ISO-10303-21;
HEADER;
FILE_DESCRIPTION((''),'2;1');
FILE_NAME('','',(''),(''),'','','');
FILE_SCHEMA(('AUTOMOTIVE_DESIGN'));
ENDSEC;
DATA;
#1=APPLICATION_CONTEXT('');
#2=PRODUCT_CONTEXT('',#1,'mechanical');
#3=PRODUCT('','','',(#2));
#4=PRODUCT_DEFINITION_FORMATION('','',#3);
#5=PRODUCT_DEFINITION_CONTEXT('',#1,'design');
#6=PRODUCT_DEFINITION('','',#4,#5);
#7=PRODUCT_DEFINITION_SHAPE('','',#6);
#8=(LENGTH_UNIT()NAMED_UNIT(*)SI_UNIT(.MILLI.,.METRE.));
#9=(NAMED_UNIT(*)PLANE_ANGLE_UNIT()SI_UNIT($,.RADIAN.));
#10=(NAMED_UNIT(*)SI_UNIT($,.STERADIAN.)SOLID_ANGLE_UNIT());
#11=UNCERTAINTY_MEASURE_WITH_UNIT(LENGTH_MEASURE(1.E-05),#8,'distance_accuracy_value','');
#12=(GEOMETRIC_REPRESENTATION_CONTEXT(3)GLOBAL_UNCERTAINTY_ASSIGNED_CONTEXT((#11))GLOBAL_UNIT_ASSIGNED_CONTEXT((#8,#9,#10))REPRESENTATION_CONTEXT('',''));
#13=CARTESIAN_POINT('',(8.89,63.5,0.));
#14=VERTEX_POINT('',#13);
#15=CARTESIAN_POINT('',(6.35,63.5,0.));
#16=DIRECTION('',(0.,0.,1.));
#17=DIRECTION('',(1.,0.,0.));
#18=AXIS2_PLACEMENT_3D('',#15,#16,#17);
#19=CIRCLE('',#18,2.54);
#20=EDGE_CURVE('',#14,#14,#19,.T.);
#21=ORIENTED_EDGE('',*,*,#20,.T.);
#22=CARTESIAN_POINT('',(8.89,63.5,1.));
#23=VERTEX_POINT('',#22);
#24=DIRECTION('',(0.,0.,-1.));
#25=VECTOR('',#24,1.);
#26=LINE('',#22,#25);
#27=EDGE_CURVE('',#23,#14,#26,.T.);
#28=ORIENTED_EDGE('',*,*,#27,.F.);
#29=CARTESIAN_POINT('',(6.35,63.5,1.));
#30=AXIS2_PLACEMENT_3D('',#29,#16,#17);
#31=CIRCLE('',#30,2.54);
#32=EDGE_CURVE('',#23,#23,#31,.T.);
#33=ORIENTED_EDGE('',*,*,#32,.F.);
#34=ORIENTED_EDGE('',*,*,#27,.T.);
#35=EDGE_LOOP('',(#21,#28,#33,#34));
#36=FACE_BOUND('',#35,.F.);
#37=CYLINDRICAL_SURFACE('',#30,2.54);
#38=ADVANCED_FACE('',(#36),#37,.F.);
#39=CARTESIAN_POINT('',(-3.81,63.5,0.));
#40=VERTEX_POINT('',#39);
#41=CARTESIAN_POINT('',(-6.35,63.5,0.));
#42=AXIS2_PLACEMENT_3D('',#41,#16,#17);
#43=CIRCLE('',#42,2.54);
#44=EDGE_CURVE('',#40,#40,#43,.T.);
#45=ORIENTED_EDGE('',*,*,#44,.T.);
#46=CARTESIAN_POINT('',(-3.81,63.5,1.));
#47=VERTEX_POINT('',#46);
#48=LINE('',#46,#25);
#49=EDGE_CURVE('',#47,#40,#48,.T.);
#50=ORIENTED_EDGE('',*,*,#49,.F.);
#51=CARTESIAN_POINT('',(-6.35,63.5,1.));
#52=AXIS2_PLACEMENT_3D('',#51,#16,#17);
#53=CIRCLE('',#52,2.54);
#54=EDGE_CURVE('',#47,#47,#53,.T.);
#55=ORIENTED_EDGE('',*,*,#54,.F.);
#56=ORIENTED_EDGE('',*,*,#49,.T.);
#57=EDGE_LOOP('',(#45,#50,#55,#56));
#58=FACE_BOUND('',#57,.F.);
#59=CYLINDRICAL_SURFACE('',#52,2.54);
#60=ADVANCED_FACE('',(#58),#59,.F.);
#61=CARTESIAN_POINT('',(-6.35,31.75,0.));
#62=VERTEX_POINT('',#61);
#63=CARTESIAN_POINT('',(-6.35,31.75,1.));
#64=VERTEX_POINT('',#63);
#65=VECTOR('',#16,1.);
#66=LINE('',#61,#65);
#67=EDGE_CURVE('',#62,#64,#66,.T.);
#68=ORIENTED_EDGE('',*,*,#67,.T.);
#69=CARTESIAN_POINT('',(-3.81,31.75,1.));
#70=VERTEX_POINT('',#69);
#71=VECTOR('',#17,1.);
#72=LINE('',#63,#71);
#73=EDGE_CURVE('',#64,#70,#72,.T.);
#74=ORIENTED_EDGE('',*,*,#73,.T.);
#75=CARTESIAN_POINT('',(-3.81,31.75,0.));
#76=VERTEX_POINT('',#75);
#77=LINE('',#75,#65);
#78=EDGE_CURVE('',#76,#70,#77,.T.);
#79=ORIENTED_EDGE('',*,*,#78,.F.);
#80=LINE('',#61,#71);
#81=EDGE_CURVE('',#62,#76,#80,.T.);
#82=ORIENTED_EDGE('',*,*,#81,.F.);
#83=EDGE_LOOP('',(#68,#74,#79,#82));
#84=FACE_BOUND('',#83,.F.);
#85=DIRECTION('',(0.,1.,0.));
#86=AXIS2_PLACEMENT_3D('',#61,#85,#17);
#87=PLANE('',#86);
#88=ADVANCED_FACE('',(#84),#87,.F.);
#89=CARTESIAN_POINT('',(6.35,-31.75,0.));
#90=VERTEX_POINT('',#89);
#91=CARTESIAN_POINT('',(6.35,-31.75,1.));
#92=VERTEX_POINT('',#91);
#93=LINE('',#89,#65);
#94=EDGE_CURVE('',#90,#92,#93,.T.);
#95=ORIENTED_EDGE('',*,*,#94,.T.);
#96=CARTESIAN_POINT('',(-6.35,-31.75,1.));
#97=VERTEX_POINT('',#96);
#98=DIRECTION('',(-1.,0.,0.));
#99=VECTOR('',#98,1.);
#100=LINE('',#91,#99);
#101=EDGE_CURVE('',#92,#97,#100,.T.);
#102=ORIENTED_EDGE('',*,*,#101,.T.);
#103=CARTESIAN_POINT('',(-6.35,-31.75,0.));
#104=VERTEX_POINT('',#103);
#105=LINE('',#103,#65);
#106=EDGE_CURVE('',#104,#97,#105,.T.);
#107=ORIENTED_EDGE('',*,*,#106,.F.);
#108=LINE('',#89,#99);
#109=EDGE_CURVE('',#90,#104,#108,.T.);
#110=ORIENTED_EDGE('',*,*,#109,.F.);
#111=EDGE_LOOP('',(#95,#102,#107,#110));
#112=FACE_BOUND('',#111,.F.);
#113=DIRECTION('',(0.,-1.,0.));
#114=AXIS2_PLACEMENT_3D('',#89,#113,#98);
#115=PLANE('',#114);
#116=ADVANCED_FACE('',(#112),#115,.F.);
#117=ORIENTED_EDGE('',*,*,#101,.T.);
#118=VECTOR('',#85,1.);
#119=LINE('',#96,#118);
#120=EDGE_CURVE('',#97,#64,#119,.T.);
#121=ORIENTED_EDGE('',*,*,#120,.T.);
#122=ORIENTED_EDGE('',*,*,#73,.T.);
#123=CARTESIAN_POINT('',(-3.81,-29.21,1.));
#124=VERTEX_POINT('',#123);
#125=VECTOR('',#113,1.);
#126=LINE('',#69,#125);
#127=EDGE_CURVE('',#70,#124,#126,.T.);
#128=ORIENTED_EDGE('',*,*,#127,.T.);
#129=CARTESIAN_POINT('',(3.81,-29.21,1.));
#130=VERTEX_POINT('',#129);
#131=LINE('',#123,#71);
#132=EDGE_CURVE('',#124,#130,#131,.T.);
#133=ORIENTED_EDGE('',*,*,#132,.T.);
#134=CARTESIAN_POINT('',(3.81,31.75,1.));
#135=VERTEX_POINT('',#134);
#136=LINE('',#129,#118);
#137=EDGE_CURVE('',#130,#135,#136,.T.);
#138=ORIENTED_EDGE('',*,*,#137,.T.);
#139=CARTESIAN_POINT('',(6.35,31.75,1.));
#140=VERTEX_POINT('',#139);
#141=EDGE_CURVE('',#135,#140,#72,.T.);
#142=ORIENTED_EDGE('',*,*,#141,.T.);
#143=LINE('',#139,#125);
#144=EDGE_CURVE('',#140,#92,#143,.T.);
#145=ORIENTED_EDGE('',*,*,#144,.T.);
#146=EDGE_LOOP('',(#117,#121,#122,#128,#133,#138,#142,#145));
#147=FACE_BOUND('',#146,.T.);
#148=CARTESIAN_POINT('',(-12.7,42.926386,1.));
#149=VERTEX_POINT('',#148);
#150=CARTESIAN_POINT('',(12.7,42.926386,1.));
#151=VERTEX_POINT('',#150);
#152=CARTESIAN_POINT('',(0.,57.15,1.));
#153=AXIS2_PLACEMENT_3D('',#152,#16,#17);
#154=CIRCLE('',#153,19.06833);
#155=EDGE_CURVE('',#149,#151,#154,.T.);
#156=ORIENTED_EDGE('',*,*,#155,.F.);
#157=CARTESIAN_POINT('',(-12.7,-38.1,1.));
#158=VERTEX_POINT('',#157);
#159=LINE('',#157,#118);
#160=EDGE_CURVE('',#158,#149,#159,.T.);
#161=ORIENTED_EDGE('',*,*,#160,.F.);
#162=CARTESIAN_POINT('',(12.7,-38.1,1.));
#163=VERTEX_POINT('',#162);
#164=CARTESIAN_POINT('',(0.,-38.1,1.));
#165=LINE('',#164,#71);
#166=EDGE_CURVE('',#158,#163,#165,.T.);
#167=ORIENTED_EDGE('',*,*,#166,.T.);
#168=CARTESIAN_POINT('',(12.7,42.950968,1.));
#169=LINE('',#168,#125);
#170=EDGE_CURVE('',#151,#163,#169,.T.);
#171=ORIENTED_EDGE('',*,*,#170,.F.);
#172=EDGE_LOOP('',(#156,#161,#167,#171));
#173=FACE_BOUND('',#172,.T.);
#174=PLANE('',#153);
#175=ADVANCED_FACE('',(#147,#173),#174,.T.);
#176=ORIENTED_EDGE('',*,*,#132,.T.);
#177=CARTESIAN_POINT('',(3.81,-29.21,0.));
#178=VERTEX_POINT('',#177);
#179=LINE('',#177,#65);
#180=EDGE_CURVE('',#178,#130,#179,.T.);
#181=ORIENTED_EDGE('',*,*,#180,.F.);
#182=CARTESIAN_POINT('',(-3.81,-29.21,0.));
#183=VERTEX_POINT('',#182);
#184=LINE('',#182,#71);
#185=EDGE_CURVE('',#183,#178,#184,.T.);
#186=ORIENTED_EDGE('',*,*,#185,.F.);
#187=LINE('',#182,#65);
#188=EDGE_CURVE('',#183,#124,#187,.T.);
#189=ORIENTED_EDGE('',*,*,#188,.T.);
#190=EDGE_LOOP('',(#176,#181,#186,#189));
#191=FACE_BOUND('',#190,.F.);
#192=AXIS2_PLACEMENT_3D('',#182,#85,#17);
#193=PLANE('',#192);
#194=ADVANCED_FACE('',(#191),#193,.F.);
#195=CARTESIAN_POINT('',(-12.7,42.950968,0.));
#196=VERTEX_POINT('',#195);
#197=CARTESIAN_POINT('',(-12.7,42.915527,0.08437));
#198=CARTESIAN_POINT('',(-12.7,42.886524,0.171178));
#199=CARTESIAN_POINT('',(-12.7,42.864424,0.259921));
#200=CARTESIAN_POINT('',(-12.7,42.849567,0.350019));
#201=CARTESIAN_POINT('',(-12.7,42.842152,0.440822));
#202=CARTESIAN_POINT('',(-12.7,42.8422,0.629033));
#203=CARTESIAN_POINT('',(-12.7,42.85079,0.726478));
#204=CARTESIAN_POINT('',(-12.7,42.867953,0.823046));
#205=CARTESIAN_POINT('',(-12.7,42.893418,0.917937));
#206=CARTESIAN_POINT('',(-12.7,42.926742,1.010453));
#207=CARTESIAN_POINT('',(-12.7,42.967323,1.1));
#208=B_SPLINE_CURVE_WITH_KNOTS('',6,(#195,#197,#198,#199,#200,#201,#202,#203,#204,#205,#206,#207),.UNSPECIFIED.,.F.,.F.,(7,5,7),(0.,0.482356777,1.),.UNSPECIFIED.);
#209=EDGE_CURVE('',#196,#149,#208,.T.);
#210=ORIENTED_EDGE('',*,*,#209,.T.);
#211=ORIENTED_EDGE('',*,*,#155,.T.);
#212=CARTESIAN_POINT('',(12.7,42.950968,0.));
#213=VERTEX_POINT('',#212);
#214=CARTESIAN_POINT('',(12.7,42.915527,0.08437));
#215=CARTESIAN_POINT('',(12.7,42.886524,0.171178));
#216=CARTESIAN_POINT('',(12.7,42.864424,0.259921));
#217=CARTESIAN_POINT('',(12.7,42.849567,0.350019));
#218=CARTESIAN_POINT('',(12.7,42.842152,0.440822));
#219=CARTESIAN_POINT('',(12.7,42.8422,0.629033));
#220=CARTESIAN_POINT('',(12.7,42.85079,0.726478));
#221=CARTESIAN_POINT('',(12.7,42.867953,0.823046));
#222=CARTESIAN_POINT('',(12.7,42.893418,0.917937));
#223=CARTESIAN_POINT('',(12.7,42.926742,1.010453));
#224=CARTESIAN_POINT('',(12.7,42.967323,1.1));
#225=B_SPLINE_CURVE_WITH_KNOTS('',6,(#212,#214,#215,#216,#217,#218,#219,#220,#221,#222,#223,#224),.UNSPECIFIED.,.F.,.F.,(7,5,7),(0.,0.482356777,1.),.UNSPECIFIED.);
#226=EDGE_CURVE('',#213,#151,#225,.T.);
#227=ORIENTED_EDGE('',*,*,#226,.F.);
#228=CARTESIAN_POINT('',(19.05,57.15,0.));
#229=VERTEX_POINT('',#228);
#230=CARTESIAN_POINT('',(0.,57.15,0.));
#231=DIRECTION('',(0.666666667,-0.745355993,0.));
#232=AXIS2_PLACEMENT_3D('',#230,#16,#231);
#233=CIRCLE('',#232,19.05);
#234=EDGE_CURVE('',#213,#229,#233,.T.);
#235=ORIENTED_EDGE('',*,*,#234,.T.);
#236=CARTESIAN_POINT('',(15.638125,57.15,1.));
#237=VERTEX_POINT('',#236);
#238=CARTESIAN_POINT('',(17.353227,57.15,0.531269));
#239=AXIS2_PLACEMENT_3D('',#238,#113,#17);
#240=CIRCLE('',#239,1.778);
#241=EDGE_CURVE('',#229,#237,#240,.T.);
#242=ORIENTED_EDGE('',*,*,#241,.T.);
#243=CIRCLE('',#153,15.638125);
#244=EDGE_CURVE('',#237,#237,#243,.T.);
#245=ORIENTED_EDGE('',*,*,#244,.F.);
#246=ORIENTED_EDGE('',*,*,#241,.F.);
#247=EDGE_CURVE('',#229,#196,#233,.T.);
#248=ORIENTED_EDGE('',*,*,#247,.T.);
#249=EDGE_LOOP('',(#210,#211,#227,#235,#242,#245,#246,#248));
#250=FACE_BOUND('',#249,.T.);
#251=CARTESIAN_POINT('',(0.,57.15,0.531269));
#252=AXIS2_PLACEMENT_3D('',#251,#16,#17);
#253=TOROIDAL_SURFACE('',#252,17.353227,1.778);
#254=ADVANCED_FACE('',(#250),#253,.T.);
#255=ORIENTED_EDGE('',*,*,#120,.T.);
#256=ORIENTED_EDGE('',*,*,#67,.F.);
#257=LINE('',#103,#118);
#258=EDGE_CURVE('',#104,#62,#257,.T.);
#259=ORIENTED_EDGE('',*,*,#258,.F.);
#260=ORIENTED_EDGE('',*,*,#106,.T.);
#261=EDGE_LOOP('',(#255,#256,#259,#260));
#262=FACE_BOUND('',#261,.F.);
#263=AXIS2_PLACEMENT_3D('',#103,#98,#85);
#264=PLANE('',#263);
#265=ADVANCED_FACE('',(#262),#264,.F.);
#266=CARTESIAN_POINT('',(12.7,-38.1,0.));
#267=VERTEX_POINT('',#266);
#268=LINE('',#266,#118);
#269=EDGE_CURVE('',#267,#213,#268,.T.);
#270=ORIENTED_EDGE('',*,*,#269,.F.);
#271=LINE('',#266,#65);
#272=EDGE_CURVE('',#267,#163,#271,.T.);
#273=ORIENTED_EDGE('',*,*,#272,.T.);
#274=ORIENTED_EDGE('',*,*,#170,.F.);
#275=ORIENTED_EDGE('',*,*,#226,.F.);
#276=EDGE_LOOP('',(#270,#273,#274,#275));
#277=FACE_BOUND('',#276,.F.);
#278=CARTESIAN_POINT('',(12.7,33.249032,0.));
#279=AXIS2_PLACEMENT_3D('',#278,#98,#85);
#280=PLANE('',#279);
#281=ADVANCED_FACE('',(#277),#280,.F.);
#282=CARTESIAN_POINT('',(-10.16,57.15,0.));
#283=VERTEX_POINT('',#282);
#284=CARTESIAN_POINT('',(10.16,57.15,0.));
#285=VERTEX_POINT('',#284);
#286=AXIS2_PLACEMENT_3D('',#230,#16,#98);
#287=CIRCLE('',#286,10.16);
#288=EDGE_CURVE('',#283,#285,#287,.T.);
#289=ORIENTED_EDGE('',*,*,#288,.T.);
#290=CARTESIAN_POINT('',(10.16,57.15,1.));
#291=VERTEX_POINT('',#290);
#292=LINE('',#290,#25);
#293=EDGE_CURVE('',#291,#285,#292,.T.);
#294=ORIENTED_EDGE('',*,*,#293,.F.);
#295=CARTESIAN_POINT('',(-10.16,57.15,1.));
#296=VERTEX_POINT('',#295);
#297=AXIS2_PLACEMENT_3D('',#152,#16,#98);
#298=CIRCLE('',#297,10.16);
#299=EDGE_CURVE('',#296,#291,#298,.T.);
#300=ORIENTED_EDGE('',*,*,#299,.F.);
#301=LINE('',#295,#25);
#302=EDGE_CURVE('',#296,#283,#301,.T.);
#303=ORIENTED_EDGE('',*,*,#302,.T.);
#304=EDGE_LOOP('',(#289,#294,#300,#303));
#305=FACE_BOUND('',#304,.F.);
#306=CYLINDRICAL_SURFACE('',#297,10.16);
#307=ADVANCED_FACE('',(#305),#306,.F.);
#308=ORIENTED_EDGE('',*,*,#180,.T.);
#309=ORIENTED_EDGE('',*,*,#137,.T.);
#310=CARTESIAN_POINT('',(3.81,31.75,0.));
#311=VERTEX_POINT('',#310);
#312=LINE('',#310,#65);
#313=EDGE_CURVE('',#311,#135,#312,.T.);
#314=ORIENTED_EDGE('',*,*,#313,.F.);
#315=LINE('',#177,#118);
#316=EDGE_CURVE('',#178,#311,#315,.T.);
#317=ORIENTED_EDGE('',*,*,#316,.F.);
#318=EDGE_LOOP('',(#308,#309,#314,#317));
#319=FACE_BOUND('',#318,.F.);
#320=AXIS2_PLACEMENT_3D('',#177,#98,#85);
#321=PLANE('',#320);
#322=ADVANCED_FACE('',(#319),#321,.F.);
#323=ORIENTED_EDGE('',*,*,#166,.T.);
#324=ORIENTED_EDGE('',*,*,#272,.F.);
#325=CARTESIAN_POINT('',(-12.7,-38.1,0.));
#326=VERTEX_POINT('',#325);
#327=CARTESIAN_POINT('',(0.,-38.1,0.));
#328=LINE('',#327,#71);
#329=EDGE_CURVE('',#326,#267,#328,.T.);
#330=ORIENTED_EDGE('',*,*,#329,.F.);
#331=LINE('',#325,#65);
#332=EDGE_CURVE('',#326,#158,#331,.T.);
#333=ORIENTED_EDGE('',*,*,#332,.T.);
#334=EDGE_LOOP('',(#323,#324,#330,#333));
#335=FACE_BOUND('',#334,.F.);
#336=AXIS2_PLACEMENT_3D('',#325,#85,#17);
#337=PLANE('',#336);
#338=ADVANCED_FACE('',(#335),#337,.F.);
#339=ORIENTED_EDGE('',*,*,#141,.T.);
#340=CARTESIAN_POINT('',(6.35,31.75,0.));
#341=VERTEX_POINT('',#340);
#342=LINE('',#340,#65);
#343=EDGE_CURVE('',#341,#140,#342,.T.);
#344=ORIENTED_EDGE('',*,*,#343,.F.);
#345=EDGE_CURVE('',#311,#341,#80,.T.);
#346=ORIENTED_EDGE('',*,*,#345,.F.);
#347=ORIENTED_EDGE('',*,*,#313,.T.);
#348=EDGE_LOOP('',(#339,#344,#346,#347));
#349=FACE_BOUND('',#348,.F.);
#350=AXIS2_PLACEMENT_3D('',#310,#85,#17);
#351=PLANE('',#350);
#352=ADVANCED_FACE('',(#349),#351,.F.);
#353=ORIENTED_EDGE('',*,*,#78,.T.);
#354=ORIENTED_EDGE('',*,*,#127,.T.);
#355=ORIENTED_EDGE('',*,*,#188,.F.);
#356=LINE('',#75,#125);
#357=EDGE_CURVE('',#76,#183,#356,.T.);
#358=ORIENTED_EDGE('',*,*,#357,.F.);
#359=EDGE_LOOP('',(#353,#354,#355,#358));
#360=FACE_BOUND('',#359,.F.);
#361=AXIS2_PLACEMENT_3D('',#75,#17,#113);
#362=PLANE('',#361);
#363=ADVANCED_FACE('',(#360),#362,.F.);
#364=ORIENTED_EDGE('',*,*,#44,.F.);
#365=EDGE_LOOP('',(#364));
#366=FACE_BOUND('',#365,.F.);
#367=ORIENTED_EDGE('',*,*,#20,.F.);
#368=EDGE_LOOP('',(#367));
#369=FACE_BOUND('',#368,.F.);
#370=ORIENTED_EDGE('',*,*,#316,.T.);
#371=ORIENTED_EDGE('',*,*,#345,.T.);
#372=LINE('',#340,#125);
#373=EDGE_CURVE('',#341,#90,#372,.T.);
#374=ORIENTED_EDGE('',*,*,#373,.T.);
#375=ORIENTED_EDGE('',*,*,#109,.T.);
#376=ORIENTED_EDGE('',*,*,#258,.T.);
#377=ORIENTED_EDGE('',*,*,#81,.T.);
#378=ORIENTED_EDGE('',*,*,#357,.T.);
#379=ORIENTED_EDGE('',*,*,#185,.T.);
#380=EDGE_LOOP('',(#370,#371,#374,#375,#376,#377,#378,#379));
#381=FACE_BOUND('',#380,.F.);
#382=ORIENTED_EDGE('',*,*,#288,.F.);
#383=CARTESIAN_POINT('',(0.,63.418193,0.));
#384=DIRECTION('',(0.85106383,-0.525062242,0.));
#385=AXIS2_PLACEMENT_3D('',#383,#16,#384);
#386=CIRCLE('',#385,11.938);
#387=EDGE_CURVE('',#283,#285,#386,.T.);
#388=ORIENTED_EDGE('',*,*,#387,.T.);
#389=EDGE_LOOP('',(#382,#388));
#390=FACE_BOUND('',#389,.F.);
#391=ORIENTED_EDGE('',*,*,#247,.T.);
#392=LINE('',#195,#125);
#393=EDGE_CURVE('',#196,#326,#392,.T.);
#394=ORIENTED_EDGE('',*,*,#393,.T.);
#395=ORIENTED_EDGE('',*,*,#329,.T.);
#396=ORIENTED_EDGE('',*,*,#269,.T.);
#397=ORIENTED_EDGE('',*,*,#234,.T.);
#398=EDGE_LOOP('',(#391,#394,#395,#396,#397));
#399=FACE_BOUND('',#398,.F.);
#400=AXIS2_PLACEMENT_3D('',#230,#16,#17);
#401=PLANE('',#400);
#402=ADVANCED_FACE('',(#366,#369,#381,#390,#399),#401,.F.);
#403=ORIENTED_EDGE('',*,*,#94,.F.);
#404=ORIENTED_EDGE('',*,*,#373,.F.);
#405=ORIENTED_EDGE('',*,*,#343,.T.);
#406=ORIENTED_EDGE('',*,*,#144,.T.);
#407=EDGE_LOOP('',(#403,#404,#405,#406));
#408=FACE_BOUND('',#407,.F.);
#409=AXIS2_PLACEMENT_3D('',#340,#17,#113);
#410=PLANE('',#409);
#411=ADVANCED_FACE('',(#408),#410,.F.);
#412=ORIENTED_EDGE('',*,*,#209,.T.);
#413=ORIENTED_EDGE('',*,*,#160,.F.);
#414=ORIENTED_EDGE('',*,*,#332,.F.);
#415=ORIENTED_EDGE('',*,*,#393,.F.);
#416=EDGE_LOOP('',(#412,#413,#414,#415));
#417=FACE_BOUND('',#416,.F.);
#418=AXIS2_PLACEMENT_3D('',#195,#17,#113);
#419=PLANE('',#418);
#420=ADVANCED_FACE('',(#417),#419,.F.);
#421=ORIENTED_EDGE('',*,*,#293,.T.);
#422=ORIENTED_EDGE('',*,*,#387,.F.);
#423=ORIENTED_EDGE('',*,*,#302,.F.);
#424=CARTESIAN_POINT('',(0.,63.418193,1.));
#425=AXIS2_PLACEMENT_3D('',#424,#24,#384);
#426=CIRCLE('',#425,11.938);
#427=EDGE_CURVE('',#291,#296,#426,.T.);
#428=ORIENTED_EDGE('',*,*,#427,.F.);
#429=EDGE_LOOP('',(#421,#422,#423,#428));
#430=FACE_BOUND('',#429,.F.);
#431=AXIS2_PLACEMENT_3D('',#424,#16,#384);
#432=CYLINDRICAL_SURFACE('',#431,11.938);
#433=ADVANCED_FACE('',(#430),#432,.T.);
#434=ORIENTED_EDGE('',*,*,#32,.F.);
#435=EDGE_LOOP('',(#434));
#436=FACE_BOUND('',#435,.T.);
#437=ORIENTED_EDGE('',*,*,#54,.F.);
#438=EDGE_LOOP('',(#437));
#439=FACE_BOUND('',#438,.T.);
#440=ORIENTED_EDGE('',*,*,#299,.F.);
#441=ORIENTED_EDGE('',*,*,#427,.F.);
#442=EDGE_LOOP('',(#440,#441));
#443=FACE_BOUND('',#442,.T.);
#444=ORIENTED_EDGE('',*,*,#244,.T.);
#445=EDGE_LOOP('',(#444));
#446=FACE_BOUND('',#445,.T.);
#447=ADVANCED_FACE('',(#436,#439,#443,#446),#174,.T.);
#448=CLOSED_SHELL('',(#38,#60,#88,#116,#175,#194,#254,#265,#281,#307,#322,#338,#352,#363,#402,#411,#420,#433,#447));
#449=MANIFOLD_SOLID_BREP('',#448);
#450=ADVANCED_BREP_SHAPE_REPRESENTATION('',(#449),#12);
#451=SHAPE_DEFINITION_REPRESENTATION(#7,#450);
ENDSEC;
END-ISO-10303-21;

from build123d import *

# Parameters (mm, degrees)
F0_W      = 25.4
F0_H      = 76.2
F1_DEPTH  = 1
F3_DEPTH  = 1
F8_R      = 2.54
F9_DEPTH  = 1.0010001
F11_DEPTH = 1.0010001


with BuildPart() as f1:
    # F0 (on Top) → F1 (new body)
    with BuildSketch(Plane.XY):
        Rectangle(F0_W, F0_H)
        Polygon((-6.35, -31.75), (-6.35, 31.75), (-3.81, 31.75), (3.81, 31.75), (6.35, 31.75), (6.35, -31.75), align=None, mode=Mode.SUBTRACT)
        Polygon((3.81, 31.75), (-3.81, 31.75), (-3.81, 29.21), (-3.81, -29.21), (3.81, -29.21), (3.81, 29.21), align=None)
    extrude(amount=F1_DEPTH)

    # F2 (on Top) → F3 (join)
    with BuildSketch(Plane.XY):
        with BuildLine():
            ThreePointArc((12.7, 42.9509683429), (17.3901912008, 49.3728700667), (19.05, 57.15))
            ThreePointArc((19.05, 57.15), (0, 76.2), (-19.05, 57.15))
            ThreePointArc((-19.05, 57.15), (-17.3901912008, 49.3728700667), (-12.7, 42.9509683429))
            ThreePointArc((-12.7, 42.9509683429), (0, 38.1), (12.7, 42.9509683429))
        make_face()
        with BuildLine():
            Line((12.7, 33.2490316571), (12.7, 42.9509683429))
            ThreePointArc((12.7, 42.9509683429), (0, 38.1), (-12.7, 42.9509683429))
            Line((-12.7, 42.9509683429), (-12.7, 33.2490316571))
            Line((-12.7, 33.2490316571), (12.7, 33.2490316571))
        make_face()
    extrude(amount=F3_DEPTH)

    # F7: sweep along a path in F6
    with BuildLine(Plane.XY.offset(1)) as f7_path:
        CenterArc((0, 57.15), 19.05, 0, 360)
    # F5 (on offset) → F7 (sweep)
    with BuildSketch(Plane.XZ.offset(-57.15)):
        with BuildLine():
            Line((-19.05, 0), (-15.6564548698, 0))
            ThreePointArc((-15.6564548698, 0), (-17.3532274349, 2.3092691054), (-19.05, 0))
        make_face()
    sweep(path=f7_path.line)

    # F8 (on face) → F9 (cut, through all)
    with BuildSketch(Plane.XY.offset(1)):
        with Locations((-6.35, 63.5)):
            Circle(F8_R)
        with Locations((6.35, 63.5)):
            Circle(F8_R)
    extrude(amount=-F9_DEPTH, mode=Mode.SUBTRACT)

    # F10 (on face) → F11 (cut, through all)
    with BuildSketch(Plane.XY.offset(1)):
        with BuildLine():
            ThreePointArc((10.16, 57.15), (0, 51.4801930411), (-10.16, 57.15))
            ThreePointArc((-10.16, 57.15), (0, 46.99), (10.16, 57.15))
        make_face()
    extrude(amount=-F11_DEPTH, mode=Mode.SUBTRACT)


solid = f1.part
